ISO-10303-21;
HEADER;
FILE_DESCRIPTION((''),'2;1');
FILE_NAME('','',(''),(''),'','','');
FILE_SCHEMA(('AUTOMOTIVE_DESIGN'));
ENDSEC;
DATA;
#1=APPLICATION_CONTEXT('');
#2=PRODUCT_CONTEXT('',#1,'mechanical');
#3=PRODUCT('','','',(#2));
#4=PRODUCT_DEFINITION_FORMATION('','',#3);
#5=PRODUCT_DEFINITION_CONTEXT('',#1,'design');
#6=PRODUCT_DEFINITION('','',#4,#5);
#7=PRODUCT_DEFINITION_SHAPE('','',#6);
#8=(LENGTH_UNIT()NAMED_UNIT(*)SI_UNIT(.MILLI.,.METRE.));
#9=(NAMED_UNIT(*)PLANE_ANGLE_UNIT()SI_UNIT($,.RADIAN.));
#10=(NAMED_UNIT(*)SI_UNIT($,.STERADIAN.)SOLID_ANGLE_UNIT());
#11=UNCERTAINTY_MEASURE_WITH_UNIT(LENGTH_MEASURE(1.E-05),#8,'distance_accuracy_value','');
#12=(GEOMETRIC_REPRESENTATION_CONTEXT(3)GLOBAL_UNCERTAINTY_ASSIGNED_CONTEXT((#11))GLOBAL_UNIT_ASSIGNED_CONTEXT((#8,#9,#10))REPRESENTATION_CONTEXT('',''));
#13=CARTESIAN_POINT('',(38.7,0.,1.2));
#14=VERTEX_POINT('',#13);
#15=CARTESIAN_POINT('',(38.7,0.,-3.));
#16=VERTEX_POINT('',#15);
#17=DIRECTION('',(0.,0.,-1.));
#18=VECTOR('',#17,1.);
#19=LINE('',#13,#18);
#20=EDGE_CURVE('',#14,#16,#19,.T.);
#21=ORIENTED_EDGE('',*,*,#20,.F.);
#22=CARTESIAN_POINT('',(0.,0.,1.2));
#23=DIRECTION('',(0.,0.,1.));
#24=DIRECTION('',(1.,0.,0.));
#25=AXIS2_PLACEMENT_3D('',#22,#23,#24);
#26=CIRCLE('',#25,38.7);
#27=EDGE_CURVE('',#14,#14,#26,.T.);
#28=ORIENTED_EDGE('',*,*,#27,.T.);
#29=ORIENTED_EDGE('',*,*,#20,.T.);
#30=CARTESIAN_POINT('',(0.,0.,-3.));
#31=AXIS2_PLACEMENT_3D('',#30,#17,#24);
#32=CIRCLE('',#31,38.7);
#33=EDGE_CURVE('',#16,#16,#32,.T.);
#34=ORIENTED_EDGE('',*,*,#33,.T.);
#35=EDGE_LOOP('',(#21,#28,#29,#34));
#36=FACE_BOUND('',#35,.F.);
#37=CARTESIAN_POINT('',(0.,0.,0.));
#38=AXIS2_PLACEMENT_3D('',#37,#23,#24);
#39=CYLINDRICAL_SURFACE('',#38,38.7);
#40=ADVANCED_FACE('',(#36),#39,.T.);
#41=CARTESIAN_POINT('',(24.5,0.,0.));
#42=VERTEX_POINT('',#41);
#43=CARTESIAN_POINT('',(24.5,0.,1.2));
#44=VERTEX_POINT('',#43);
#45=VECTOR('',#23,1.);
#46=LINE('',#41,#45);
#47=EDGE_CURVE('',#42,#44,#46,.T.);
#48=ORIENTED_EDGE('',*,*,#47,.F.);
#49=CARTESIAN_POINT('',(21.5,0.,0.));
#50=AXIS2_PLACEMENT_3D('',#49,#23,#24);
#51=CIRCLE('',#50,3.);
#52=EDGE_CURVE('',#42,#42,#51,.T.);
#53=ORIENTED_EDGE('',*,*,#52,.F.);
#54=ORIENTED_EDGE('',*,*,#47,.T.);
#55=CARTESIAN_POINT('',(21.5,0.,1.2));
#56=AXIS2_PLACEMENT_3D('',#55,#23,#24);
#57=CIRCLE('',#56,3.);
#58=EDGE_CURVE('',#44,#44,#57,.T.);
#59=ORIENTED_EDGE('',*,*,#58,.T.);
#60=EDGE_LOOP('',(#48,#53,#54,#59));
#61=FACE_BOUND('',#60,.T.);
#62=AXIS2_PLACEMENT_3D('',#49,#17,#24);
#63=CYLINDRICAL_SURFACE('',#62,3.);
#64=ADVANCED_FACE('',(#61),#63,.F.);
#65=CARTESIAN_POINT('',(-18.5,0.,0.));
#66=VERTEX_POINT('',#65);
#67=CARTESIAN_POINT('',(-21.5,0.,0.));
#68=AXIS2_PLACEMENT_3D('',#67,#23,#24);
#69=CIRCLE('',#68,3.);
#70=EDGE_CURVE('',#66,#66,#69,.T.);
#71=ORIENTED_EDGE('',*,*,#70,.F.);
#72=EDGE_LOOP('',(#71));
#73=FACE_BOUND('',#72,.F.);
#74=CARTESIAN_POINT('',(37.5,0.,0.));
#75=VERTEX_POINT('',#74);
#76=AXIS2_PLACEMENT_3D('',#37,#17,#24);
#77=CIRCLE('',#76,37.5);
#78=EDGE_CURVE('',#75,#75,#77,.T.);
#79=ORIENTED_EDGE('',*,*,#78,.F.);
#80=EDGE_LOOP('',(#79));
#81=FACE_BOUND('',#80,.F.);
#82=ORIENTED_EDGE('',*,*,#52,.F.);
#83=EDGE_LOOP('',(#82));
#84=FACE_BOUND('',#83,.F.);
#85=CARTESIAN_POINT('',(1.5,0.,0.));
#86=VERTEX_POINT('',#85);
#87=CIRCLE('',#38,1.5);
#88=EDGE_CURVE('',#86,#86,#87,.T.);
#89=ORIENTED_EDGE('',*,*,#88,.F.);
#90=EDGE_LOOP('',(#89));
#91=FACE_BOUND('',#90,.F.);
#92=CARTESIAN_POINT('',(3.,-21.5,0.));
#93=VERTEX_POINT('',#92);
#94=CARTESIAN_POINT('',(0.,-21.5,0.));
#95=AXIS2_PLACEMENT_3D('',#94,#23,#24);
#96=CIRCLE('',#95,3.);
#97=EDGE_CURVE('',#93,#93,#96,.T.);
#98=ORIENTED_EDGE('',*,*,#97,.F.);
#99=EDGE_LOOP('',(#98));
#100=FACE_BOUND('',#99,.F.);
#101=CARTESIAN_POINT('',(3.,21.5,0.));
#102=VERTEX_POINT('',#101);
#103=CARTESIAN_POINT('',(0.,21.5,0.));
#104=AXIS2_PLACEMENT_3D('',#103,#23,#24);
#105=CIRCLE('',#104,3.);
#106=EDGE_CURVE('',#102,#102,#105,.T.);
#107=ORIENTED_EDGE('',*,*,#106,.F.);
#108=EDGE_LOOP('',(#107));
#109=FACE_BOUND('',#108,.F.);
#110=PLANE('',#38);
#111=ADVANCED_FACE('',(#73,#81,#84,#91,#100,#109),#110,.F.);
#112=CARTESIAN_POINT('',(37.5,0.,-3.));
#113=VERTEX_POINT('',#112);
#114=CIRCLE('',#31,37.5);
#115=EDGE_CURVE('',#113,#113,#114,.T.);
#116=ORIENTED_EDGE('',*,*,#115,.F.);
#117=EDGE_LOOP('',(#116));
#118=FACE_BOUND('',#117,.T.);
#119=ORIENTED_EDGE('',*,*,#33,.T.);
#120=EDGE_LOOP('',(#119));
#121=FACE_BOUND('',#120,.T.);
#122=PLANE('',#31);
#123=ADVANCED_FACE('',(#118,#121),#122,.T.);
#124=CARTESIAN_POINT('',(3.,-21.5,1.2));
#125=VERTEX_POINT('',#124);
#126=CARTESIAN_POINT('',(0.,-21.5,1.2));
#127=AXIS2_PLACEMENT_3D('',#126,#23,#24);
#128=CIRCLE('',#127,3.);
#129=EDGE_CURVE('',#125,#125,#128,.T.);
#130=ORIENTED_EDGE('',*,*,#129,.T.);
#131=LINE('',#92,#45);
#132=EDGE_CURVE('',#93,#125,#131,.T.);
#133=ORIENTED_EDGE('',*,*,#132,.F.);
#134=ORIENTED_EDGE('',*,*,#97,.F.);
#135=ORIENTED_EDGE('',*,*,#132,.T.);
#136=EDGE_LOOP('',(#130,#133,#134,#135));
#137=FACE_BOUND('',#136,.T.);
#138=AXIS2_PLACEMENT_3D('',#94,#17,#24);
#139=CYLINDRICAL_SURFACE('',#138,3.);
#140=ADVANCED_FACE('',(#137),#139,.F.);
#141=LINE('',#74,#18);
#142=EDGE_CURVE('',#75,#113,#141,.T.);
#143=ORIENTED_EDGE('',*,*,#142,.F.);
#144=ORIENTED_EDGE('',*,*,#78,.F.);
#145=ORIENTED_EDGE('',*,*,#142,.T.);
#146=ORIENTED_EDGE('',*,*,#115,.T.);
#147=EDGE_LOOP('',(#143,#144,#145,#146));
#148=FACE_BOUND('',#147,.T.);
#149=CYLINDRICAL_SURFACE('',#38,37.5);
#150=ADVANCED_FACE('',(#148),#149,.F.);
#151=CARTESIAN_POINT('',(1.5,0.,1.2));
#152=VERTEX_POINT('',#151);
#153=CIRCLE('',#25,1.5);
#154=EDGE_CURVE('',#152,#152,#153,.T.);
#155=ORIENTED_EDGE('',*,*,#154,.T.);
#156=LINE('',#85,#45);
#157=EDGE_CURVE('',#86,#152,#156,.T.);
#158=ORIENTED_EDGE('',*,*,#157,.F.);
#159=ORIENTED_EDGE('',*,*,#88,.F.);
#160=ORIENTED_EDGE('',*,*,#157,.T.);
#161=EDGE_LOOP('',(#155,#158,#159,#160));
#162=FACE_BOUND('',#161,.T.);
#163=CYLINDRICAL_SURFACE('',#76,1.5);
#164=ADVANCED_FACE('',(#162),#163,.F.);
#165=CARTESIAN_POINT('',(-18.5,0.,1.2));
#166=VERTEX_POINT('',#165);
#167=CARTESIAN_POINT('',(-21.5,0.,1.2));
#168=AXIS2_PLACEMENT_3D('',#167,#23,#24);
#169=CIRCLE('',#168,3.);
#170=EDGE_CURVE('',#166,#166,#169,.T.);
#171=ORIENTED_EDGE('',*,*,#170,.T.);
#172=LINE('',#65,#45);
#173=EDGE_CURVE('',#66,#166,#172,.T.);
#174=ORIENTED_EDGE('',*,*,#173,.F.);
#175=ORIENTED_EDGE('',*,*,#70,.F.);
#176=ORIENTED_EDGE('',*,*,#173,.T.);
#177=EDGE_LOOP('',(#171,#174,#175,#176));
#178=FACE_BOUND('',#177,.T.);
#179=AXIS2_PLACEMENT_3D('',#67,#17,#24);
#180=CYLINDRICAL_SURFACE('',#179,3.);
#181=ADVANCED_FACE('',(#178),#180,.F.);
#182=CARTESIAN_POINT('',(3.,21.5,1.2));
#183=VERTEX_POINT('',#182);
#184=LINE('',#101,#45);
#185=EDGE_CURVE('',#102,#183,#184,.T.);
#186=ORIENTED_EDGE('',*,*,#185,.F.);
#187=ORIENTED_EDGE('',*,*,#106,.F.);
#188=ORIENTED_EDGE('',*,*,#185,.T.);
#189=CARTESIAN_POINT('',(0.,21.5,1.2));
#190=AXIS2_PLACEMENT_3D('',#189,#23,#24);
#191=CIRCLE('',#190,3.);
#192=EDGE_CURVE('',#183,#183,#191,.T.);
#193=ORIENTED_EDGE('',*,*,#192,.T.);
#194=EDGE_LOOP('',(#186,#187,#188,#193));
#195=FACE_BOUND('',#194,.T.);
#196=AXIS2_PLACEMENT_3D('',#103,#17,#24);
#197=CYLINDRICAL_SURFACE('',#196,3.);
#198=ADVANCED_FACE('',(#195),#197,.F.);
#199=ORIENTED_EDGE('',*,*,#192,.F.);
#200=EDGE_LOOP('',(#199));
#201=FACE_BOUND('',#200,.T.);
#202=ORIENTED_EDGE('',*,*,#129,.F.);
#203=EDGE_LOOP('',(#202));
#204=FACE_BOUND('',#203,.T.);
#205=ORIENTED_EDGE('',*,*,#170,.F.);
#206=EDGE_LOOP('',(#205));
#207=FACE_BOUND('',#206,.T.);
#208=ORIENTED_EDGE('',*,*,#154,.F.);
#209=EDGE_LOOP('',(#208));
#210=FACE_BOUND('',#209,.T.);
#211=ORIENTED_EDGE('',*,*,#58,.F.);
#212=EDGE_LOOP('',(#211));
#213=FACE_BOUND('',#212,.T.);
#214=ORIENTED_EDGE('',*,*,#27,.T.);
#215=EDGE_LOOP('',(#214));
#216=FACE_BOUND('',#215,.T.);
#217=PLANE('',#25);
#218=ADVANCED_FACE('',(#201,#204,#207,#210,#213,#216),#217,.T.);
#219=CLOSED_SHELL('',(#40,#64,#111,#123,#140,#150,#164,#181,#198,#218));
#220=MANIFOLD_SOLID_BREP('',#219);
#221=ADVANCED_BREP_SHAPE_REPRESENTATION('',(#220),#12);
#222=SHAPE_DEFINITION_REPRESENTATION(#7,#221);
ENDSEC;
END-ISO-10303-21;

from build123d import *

# Parameters (mm, degrees)
F0_R     = 38.7
F0_R_2   = 3
F0_R_3   = 1.5
F1_DEPTH = 1.2
F2_R     = 38.7
F2_R_2   = 37.5
F3_DEPTH = 3


with BuildPart() as f1:
    # F0 (on Top) → F1 (new body)
    with BuildSketch(Plane.XY):
        Circle(F0_R)
        with Locations((0, -21.5)):
            Circle(F0_R_2, mode=Mode.SUBTRACT)
        with Locations((-21.5, 0)):
            Circle(F0_R_2, mode=Mode.SUBTRACT)
        Circle(F0_R_3, mode=Mode.SUBTRACT)
        with Locations((21.5, 0)):
            Circle(F0_R_2, mode=Mode.SUBTRACT)
        with Locations((0, 21.5)):
            Circle(F0_R_2, mode=Mode.SUBTRACT)
    extrude(amount=F1_DEPTH)

    # F2 (on face) → F3 (join)
    with BuildSketch(Plane(origin=(0, 0, 0), x_dir=(1, 0, 0), z_dir=(0, 0, -1))):
        Circle(F2_R)
        Circle(F2_R_2, mode=Mode.SUBTRACT)
    extrude(amount=F3_DEPTH)


solid = f1.part
